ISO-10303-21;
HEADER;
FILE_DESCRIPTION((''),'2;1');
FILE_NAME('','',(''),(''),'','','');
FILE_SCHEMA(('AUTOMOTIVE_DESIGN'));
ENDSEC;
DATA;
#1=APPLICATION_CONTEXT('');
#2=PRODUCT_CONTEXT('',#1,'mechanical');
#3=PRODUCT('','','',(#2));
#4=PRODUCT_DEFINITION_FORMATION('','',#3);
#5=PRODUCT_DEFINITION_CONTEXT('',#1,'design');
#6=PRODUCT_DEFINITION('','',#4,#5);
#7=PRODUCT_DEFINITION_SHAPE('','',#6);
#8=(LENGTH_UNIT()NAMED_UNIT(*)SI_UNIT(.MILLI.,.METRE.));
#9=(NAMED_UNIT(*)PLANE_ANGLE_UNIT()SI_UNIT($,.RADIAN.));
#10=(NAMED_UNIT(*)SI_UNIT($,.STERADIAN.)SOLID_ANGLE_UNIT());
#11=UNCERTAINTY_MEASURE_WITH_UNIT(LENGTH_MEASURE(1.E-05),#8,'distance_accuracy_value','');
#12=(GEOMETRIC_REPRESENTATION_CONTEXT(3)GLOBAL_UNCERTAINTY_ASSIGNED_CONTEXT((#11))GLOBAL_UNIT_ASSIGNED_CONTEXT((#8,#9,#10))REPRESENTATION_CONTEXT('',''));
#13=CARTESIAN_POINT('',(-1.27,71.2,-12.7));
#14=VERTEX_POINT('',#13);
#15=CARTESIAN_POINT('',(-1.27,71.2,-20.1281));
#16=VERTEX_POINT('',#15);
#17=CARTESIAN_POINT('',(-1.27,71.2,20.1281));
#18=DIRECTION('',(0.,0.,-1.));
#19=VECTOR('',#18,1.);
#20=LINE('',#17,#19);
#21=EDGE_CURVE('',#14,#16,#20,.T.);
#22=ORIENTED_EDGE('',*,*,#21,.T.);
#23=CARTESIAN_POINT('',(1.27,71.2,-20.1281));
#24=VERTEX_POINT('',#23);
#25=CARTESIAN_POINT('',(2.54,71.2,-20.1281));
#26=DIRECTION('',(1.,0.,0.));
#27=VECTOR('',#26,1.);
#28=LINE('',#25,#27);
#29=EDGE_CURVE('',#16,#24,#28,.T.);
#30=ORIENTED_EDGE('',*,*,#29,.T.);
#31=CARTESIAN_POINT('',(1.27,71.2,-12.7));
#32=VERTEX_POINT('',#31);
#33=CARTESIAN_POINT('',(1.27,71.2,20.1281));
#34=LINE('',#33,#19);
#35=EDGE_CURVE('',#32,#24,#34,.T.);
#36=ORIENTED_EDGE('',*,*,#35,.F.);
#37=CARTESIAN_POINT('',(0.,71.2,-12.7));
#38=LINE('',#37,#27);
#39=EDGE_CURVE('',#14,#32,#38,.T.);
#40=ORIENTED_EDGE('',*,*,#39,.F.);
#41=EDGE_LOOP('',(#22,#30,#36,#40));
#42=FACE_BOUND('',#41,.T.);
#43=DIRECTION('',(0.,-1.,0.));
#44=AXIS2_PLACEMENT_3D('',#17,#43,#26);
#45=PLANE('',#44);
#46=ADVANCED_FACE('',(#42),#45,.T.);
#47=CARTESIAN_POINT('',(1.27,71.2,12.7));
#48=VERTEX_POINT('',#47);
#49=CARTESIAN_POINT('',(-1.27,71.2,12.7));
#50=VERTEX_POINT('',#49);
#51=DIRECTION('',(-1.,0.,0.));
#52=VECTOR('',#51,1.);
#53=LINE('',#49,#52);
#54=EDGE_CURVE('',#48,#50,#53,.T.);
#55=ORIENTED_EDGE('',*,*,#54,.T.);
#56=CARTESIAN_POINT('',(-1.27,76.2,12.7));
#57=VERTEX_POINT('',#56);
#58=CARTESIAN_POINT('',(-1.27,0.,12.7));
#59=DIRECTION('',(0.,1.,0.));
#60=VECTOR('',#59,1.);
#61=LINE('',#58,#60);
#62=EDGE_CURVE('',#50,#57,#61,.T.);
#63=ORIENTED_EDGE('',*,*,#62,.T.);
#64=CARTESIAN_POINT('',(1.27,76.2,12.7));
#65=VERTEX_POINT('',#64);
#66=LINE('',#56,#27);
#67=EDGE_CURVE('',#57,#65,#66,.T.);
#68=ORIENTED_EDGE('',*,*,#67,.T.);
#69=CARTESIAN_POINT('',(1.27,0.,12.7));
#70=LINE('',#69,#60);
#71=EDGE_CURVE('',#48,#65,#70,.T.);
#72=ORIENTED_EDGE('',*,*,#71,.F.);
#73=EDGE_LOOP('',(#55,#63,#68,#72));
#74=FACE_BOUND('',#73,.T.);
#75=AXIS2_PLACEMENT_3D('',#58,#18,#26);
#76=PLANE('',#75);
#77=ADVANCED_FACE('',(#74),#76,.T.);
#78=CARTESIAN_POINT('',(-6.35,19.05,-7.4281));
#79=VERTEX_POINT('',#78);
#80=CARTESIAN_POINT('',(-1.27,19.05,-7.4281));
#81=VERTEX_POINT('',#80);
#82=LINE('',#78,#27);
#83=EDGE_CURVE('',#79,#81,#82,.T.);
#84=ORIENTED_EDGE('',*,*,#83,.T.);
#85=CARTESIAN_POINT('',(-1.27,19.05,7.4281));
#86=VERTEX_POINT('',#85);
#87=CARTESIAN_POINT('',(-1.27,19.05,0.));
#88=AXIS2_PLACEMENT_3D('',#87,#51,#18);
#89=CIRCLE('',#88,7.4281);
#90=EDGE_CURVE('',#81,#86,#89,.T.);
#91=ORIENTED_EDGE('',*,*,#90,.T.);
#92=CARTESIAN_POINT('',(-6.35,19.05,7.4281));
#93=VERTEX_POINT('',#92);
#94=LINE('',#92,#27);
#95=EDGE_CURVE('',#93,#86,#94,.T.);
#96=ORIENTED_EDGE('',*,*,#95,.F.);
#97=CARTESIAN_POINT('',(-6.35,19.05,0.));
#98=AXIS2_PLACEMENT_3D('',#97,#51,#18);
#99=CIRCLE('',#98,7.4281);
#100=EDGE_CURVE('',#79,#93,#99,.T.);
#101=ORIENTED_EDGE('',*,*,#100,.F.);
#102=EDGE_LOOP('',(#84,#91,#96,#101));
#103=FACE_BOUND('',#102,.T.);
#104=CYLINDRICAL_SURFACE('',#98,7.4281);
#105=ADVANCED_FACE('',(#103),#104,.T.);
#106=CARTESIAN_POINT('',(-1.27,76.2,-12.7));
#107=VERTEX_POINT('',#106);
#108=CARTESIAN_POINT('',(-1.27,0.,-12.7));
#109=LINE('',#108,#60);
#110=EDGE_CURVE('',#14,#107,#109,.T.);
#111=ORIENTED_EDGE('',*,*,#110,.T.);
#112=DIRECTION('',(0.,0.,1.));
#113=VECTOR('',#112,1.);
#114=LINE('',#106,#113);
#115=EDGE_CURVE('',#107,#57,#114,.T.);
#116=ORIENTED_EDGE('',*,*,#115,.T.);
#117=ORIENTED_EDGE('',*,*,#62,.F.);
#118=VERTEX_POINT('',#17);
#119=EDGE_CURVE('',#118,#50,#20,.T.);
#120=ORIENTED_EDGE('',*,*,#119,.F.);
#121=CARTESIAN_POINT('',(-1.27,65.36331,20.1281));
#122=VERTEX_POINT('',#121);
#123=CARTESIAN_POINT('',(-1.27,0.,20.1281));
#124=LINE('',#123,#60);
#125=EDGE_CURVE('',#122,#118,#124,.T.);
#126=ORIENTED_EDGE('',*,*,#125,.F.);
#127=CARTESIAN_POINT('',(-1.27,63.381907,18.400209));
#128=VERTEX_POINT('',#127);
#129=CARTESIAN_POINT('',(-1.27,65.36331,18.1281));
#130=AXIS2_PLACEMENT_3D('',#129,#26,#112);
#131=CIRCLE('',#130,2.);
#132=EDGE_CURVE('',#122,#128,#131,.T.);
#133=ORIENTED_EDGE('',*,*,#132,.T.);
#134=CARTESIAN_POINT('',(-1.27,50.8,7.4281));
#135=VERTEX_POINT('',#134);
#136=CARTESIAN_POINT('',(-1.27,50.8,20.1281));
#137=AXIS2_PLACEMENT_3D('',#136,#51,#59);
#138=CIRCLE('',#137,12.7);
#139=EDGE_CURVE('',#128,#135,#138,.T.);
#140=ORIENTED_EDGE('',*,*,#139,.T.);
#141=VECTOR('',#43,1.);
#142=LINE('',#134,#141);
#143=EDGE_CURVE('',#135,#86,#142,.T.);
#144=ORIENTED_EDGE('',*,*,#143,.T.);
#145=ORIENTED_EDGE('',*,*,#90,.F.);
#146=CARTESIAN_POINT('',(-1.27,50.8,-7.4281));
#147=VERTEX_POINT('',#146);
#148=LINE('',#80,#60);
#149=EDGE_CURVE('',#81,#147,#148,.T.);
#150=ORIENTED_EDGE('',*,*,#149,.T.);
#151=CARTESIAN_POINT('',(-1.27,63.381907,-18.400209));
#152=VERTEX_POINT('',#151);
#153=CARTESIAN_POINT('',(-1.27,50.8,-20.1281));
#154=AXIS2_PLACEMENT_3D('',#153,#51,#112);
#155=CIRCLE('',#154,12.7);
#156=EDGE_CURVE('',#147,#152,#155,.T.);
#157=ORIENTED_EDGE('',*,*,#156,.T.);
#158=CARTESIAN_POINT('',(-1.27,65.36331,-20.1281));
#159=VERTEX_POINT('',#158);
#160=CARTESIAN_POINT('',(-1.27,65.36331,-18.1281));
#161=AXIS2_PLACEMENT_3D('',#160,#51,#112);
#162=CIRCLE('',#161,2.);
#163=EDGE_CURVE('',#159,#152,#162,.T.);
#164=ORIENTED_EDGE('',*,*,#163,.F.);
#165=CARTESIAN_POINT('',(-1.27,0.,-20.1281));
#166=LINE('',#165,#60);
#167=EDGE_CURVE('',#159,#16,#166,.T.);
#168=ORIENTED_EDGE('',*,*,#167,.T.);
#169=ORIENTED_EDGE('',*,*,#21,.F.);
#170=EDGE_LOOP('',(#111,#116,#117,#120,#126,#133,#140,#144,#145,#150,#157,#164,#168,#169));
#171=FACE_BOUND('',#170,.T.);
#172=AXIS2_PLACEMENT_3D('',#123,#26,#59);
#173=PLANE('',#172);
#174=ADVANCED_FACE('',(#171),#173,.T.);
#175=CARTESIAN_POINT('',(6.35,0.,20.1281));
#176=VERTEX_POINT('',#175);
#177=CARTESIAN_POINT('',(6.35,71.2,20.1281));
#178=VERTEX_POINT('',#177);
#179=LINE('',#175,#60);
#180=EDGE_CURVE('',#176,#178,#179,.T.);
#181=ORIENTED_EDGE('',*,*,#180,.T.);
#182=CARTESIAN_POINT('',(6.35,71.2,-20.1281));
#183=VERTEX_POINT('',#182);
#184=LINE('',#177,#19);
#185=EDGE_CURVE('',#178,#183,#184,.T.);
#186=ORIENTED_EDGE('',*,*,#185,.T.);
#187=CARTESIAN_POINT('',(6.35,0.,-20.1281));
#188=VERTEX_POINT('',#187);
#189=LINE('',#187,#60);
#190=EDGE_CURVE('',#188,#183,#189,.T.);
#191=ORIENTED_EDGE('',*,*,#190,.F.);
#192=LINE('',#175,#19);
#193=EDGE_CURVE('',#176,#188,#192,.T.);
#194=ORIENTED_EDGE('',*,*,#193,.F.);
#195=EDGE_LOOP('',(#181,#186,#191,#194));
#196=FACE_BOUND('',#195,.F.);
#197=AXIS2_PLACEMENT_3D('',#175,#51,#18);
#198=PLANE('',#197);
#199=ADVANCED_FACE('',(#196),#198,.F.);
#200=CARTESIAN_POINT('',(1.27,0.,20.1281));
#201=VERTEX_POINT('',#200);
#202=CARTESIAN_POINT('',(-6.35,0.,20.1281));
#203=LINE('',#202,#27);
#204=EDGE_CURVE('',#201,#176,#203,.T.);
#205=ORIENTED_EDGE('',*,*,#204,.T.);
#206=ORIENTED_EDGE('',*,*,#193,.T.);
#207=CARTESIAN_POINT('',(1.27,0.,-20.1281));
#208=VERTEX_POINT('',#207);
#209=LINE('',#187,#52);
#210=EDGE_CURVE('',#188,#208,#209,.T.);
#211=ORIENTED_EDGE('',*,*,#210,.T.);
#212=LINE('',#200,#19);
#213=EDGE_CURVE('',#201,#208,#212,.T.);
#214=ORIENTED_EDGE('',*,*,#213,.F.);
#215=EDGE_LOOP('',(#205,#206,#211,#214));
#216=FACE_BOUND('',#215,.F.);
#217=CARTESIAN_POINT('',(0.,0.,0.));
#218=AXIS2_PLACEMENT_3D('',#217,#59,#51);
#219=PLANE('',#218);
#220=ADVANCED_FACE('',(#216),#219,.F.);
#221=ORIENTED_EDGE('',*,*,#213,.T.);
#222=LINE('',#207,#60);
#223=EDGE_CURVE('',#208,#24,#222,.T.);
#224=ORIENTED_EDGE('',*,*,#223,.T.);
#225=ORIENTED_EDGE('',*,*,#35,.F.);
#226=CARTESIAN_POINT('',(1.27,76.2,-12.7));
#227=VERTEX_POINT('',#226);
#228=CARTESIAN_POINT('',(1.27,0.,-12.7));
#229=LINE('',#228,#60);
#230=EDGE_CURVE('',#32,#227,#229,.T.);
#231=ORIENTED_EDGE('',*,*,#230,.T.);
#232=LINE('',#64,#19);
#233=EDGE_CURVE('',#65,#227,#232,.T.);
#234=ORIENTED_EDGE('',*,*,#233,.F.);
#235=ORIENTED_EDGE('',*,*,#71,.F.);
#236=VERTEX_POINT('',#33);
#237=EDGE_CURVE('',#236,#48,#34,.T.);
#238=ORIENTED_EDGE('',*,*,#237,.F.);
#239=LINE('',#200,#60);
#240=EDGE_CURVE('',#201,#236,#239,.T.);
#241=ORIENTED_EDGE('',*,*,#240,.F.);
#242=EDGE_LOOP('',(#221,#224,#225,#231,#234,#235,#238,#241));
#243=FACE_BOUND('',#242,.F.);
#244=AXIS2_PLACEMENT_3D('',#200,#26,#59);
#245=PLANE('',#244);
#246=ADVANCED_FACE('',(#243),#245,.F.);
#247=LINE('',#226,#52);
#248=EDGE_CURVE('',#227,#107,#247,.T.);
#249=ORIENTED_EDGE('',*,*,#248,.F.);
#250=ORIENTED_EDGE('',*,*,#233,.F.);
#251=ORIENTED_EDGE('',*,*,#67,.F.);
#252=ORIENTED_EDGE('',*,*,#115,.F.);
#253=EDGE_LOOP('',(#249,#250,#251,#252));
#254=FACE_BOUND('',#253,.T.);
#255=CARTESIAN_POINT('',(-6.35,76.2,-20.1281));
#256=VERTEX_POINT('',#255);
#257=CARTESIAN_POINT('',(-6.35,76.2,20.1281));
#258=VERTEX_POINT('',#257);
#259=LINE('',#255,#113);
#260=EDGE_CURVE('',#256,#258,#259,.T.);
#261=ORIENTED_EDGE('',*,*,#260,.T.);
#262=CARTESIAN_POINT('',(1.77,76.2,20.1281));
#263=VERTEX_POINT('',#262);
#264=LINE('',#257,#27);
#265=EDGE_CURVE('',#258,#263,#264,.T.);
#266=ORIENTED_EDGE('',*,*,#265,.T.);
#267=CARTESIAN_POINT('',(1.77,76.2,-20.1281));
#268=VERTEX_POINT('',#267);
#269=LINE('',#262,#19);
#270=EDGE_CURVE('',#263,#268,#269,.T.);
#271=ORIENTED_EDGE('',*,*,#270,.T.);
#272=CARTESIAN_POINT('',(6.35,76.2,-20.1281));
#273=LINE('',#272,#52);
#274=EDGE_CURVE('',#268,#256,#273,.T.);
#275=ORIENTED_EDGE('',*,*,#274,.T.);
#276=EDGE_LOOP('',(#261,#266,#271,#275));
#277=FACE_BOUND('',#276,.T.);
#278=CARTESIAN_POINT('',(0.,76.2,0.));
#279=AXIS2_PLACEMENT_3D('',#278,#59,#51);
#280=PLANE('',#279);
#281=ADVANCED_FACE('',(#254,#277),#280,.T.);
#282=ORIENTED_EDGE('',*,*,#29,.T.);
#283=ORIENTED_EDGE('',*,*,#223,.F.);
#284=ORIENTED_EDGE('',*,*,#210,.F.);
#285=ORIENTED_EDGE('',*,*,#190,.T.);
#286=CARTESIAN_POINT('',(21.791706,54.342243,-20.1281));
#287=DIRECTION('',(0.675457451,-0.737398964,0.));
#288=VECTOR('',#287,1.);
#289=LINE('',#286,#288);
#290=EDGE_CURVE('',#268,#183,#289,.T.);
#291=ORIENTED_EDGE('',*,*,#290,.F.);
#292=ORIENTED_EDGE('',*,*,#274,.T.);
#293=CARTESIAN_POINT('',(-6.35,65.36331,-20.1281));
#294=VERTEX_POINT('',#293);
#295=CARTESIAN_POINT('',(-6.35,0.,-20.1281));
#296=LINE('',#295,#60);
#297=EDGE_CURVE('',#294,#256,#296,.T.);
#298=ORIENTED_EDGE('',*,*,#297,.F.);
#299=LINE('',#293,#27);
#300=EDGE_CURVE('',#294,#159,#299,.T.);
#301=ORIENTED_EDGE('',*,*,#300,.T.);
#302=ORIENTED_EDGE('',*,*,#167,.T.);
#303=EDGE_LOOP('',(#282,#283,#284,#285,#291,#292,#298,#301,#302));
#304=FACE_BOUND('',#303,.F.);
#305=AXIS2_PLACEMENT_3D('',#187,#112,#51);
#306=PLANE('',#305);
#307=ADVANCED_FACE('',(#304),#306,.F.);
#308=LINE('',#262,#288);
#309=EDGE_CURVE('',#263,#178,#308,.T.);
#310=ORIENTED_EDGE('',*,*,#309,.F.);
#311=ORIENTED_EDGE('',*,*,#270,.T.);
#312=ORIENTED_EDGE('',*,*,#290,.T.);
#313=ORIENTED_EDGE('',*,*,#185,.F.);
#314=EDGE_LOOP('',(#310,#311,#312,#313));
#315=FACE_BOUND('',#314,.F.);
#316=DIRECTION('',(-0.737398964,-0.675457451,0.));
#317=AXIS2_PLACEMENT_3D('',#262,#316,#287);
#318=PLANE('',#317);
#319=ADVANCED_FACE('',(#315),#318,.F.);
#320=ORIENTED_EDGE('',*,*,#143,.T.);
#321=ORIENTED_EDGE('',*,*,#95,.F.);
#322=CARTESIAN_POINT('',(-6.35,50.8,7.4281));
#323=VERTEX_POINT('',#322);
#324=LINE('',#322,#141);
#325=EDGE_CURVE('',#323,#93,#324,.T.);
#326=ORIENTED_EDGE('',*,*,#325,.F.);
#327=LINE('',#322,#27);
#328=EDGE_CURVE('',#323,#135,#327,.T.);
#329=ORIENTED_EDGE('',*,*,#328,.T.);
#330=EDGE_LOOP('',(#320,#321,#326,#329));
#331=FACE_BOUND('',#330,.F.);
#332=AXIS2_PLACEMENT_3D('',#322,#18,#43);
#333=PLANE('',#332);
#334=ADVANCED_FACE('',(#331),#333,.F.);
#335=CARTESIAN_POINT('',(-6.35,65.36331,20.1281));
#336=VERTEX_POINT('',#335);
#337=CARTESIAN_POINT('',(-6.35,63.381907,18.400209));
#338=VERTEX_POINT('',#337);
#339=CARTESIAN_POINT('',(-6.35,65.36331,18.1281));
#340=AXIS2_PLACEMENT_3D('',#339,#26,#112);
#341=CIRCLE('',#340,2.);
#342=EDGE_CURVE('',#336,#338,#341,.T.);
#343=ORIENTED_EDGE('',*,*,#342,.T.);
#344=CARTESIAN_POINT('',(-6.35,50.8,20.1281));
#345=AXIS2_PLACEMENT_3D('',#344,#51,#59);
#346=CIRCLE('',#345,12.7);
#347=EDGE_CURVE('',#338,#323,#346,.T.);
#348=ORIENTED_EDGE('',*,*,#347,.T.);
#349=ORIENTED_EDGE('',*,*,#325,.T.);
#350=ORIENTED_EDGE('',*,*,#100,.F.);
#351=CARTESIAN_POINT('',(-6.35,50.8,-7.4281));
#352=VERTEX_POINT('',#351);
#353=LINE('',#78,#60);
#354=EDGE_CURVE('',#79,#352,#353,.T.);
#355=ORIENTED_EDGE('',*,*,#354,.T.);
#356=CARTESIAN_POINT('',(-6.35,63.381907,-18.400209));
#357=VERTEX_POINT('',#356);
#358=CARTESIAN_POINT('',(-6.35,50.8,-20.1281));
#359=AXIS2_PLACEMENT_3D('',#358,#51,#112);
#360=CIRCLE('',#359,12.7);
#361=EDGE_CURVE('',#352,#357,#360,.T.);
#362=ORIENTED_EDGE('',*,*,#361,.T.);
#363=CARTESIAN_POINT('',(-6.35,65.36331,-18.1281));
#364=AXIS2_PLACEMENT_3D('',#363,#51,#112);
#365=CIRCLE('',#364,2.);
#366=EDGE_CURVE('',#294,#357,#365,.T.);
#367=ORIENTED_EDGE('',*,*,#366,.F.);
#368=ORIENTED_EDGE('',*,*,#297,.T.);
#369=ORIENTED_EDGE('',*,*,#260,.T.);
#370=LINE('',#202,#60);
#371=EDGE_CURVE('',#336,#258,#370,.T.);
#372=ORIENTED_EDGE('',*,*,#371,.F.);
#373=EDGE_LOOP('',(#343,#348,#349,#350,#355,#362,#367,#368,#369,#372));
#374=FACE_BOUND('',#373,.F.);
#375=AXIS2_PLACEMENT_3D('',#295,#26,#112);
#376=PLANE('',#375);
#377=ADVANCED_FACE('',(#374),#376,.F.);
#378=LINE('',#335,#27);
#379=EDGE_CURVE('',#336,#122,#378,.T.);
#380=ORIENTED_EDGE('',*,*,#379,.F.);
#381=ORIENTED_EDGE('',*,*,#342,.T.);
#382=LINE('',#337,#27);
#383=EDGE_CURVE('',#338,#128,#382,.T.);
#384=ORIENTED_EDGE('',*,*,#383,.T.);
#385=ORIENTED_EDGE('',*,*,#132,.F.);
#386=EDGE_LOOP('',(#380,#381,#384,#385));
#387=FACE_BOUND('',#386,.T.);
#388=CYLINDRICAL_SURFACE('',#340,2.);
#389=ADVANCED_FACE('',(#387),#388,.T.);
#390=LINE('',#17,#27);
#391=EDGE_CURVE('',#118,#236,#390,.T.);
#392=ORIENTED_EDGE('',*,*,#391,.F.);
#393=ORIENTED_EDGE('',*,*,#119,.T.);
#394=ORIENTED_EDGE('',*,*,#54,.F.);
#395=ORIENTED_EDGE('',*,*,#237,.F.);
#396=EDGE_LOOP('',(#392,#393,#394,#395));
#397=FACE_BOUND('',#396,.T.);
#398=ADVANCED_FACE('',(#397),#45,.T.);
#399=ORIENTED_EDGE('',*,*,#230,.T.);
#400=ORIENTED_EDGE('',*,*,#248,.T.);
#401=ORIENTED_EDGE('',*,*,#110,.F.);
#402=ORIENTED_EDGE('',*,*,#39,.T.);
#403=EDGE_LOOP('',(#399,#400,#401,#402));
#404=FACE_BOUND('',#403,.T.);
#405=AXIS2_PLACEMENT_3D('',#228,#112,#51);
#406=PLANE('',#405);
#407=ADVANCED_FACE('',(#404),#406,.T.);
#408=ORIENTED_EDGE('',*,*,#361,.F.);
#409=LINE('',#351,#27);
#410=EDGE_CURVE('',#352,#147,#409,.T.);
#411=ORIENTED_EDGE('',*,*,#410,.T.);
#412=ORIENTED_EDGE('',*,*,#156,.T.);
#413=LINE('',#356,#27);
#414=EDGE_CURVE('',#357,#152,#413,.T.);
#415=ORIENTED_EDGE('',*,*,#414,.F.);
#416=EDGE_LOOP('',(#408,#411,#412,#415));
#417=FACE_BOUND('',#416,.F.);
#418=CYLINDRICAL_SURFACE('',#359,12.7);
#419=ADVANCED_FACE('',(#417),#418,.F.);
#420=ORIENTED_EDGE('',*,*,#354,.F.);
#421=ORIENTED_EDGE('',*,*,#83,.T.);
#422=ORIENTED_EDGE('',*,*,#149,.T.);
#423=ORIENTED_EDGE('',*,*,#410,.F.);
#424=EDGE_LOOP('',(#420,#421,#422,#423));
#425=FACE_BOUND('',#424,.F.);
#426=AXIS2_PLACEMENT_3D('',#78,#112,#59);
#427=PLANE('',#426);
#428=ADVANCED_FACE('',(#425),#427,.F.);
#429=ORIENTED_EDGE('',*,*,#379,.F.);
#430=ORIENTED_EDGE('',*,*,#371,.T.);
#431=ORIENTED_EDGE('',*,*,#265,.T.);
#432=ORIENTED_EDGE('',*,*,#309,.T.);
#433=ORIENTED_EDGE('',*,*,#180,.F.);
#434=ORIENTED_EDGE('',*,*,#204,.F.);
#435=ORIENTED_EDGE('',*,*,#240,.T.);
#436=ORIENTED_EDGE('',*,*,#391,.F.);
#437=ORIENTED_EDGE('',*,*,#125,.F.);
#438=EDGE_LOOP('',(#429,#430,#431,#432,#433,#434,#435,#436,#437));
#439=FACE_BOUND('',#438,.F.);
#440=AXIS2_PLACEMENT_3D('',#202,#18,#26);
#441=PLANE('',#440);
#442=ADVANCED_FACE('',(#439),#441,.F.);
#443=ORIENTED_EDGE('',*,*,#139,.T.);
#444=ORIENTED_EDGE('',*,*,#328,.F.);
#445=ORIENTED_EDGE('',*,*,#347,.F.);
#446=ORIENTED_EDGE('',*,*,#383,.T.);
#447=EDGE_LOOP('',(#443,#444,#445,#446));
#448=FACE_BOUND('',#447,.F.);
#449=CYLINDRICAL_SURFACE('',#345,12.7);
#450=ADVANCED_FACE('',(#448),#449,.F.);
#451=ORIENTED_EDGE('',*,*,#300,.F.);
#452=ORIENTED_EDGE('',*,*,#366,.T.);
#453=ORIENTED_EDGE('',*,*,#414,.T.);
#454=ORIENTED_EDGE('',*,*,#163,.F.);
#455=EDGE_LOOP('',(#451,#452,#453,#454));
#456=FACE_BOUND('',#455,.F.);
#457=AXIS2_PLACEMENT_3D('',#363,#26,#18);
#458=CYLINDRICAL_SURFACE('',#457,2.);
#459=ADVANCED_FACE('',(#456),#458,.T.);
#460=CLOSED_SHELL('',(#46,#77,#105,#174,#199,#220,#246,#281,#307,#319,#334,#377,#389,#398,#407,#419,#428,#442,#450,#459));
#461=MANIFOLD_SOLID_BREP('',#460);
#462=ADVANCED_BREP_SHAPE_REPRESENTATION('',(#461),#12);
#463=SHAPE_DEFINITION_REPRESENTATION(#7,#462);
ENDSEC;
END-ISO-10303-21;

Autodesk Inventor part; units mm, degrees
ref_plane "YZ Plane" through (0, 0, 0) normal (1, 0, 0) x (0, 1, 0)
ref_plane "XZ Plane" through (0, 0, 0) normal (0, 1, 0) x (-1, 0, 0)
ref_plane "XY Plane" through (0, 0, 0) normal (0, 0, 1) x (1, 0, 0)
sketch "Sketch1" plane through (0, 0, 0) normal (0, 1, 0) x (-1, 0, 0)
  line L0 (-1.27, -12.7) -> (1.27, -12.7)
  line L1 (1.27, -12.7) -> (1.27, 12.7)
  line L2 (1.27, 12.7) -> (-1.27, 12.7)
  line L3 (-1.27, 12.7) -> (-1.27, -12.7)
  line L4 (-1.27, -12.7) -> (1.27, 12.7) construction
  line L5 (1.27, -12.7) -> (-1.27, 12.7) construction
  line L6 (-6.35, -20.1281) -> (6.35, -20.1281)
  line L7 (6.35, -20.1281) -> (6.35, 20.1281)
  line L8 (6.35, 20.1281) -> (-6.35, 20.1281)
  line L9 (-6.35, 20.1281) -> (-6.35, -20.1281)
  line L10 (-6.35, -20.1281) -> (6.35, 20.1281) construction
  line L11 (6.35, -20.1281) -> (-6.35, 20.1281) construction
  point P0 (0, 0)
  dimension "d0" = 2.54
  dimension "d1" = 25.4
  dimension "d2" = 12.7
extrude "Extrusion1" add sketch "Sketch1" along normal blind 76.2
sketch "Sketch2" plane through (-6.35, 0, 20.1281) normal (0, 0, 1) x (1, 0, 0)
  line L0 (5.08, 0) -> (5.08, 76.2) projected
  line L1 (7.62, 0) -> (7.62, 76.2) projected
  line L2 (0, 0) -> (12.7, 0) projected
  line L3 (0, 76.2) -> (12.7, 76.2) projected
  line L4 (5.08, 0) -> (5.08, 76.2) projected
  line L5 (5.08, 71.2) -> (7.62, 71.2)
  line L6 (8.12, 76.2) -> (12.7, 71.2)
  line L7 (12.7, 0) -> (12.7, 76.2) projected
  point P0 (6.35, 0)
  dimension "d5" = 5
  dimension "d6" = 0.5
  dimension "d7" = 5
extrude "Extrusion2" cut sketch "Sketch2" against normal through all contours L0 L5 L1 L2 | L6 L3 L7
sketch "Sketch3" plane through (-6.35, 0, -20.1281) normal (-1, 0, 0) x (0, 0, 1)
  line L0 (40.2562, 0) -> (40.2562, 71.2) projected
  arc A0 (40.2562, 63.5) -> (27.5562, 50.8) centre (40.2562, 50.8) ccw
  line L1 (27.5562, 50.8) -> (27.5562, 19.05)
  line L2 (0, 76.2) -> (40.2562, 76.2) projected
  arc A1 (12.7, 19.05) -> (27.5562, 19.05) centre (20.1281, 19.05) ccw
  line L3 (0, 0) -> (0, 76.2) projected
  arc A2 (12.7, 50.8) -> (0, 63.5) centre (0, 50.8) ccw
  line L4 (12.7, 19.05) -> (12.7, 50.8)
  line L5 (0, 0) -> (40.2562, 0) projected
  point P0 (20.1281, 0)
  point P1 (20.1281, 0)
  dimension "d10" = 12.7
  dimension "d11" = 25.4
  dimension "d13" = 19.05
extrude "Extrusion3" cut sketch "Sketch3" against normal up to surface (5.08 mm away)
fillet "Fillet1" radius 2 2 edges at (-3.81, 63.5, 20.1281) (-3.81, 63.5, -20.1281)
properties part number "Glass Slide Gripper"
